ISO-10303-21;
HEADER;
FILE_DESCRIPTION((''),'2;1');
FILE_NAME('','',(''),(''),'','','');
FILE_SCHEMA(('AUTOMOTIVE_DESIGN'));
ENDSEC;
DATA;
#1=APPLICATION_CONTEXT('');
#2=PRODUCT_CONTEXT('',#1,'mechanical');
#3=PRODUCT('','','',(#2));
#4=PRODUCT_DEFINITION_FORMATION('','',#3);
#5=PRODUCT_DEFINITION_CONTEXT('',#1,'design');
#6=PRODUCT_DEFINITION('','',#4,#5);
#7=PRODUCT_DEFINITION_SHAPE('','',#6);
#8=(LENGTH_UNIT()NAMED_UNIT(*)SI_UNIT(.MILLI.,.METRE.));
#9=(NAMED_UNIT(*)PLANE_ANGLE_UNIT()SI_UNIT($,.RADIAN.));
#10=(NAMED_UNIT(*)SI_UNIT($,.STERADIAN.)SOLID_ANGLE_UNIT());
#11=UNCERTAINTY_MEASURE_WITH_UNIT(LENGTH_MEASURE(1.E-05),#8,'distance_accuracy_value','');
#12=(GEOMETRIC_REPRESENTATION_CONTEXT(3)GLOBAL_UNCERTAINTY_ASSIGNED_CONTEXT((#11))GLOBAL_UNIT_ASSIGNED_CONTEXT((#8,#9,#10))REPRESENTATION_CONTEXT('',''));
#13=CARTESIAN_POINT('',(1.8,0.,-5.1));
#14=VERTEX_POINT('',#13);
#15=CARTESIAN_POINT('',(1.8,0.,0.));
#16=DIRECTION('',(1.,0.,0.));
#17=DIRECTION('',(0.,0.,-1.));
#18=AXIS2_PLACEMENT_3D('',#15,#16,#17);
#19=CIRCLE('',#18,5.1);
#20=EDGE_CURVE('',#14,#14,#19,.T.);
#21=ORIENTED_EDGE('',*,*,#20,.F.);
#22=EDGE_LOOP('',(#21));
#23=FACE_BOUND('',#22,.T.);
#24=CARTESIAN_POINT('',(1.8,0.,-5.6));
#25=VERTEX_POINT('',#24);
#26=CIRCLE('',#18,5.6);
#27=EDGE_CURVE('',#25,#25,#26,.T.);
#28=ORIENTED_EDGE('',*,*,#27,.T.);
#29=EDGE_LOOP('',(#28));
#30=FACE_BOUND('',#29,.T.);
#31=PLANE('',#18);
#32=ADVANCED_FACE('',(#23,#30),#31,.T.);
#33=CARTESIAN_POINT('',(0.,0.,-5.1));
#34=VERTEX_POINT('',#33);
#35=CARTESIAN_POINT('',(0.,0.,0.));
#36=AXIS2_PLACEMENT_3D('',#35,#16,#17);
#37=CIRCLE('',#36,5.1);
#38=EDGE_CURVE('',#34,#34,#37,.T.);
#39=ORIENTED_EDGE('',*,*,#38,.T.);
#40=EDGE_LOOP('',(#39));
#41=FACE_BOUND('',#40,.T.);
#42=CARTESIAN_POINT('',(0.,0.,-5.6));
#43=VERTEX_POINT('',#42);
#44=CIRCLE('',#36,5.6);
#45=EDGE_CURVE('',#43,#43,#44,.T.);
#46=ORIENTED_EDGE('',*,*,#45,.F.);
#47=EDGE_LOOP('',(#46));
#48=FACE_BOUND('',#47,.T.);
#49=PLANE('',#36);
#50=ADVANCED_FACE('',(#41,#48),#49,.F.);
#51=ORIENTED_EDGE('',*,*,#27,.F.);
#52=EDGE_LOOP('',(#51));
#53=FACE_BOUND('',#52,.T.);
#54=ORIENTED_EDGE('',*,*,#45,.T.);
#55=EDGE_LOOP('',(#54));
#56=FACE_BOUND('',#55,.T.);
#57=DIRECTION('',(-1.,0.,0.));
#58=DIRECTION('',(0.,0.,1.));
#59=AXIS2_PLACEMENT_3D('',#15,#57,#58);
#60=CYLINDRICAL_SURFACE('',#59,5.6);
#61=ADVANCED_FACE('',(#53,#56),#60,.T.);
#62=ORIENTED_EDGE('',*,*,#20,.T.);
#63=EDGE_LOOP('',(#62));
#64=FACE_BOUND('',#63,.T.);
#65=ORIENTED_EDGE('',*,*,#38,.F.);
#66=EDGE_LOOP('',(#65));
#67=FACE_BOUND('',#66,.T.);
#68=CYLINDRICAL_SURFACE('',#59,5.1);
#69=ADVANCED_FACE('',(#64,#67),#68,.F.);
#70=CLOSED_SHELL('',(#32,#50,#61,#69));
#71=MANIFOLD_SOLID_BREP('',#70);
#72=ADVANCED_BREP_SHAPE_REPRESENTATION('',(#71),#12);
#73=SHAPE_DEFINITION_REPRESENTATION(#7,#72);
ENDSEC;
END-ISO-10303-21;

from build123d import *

# Parameters (mm, degrees)
SKIZZE1_R                       = 5.6
SKIZZE1_R_2                     = 5.1
AUFSATZ_LINEAR_AUSTRAGEN1_DEPTH = 1.8


with BuildPart() as part:
    # Skizze1 → Aufsatz-Linear austragen1 (new body)
    with BuildSketch(Plane(origin=(0, 0, 0), x_dir=(0, 0, -1), z_dir=(1, 0, 0))):
        Circle(SKIZZE1_R)
        Circle(SKIZZE1_R_2, mode=Mode.SUBTRACT)
    extrude(amount=AUFSATZ_LINEAR_AUSTRAGEN1_DEPTH)


solid = part.part
